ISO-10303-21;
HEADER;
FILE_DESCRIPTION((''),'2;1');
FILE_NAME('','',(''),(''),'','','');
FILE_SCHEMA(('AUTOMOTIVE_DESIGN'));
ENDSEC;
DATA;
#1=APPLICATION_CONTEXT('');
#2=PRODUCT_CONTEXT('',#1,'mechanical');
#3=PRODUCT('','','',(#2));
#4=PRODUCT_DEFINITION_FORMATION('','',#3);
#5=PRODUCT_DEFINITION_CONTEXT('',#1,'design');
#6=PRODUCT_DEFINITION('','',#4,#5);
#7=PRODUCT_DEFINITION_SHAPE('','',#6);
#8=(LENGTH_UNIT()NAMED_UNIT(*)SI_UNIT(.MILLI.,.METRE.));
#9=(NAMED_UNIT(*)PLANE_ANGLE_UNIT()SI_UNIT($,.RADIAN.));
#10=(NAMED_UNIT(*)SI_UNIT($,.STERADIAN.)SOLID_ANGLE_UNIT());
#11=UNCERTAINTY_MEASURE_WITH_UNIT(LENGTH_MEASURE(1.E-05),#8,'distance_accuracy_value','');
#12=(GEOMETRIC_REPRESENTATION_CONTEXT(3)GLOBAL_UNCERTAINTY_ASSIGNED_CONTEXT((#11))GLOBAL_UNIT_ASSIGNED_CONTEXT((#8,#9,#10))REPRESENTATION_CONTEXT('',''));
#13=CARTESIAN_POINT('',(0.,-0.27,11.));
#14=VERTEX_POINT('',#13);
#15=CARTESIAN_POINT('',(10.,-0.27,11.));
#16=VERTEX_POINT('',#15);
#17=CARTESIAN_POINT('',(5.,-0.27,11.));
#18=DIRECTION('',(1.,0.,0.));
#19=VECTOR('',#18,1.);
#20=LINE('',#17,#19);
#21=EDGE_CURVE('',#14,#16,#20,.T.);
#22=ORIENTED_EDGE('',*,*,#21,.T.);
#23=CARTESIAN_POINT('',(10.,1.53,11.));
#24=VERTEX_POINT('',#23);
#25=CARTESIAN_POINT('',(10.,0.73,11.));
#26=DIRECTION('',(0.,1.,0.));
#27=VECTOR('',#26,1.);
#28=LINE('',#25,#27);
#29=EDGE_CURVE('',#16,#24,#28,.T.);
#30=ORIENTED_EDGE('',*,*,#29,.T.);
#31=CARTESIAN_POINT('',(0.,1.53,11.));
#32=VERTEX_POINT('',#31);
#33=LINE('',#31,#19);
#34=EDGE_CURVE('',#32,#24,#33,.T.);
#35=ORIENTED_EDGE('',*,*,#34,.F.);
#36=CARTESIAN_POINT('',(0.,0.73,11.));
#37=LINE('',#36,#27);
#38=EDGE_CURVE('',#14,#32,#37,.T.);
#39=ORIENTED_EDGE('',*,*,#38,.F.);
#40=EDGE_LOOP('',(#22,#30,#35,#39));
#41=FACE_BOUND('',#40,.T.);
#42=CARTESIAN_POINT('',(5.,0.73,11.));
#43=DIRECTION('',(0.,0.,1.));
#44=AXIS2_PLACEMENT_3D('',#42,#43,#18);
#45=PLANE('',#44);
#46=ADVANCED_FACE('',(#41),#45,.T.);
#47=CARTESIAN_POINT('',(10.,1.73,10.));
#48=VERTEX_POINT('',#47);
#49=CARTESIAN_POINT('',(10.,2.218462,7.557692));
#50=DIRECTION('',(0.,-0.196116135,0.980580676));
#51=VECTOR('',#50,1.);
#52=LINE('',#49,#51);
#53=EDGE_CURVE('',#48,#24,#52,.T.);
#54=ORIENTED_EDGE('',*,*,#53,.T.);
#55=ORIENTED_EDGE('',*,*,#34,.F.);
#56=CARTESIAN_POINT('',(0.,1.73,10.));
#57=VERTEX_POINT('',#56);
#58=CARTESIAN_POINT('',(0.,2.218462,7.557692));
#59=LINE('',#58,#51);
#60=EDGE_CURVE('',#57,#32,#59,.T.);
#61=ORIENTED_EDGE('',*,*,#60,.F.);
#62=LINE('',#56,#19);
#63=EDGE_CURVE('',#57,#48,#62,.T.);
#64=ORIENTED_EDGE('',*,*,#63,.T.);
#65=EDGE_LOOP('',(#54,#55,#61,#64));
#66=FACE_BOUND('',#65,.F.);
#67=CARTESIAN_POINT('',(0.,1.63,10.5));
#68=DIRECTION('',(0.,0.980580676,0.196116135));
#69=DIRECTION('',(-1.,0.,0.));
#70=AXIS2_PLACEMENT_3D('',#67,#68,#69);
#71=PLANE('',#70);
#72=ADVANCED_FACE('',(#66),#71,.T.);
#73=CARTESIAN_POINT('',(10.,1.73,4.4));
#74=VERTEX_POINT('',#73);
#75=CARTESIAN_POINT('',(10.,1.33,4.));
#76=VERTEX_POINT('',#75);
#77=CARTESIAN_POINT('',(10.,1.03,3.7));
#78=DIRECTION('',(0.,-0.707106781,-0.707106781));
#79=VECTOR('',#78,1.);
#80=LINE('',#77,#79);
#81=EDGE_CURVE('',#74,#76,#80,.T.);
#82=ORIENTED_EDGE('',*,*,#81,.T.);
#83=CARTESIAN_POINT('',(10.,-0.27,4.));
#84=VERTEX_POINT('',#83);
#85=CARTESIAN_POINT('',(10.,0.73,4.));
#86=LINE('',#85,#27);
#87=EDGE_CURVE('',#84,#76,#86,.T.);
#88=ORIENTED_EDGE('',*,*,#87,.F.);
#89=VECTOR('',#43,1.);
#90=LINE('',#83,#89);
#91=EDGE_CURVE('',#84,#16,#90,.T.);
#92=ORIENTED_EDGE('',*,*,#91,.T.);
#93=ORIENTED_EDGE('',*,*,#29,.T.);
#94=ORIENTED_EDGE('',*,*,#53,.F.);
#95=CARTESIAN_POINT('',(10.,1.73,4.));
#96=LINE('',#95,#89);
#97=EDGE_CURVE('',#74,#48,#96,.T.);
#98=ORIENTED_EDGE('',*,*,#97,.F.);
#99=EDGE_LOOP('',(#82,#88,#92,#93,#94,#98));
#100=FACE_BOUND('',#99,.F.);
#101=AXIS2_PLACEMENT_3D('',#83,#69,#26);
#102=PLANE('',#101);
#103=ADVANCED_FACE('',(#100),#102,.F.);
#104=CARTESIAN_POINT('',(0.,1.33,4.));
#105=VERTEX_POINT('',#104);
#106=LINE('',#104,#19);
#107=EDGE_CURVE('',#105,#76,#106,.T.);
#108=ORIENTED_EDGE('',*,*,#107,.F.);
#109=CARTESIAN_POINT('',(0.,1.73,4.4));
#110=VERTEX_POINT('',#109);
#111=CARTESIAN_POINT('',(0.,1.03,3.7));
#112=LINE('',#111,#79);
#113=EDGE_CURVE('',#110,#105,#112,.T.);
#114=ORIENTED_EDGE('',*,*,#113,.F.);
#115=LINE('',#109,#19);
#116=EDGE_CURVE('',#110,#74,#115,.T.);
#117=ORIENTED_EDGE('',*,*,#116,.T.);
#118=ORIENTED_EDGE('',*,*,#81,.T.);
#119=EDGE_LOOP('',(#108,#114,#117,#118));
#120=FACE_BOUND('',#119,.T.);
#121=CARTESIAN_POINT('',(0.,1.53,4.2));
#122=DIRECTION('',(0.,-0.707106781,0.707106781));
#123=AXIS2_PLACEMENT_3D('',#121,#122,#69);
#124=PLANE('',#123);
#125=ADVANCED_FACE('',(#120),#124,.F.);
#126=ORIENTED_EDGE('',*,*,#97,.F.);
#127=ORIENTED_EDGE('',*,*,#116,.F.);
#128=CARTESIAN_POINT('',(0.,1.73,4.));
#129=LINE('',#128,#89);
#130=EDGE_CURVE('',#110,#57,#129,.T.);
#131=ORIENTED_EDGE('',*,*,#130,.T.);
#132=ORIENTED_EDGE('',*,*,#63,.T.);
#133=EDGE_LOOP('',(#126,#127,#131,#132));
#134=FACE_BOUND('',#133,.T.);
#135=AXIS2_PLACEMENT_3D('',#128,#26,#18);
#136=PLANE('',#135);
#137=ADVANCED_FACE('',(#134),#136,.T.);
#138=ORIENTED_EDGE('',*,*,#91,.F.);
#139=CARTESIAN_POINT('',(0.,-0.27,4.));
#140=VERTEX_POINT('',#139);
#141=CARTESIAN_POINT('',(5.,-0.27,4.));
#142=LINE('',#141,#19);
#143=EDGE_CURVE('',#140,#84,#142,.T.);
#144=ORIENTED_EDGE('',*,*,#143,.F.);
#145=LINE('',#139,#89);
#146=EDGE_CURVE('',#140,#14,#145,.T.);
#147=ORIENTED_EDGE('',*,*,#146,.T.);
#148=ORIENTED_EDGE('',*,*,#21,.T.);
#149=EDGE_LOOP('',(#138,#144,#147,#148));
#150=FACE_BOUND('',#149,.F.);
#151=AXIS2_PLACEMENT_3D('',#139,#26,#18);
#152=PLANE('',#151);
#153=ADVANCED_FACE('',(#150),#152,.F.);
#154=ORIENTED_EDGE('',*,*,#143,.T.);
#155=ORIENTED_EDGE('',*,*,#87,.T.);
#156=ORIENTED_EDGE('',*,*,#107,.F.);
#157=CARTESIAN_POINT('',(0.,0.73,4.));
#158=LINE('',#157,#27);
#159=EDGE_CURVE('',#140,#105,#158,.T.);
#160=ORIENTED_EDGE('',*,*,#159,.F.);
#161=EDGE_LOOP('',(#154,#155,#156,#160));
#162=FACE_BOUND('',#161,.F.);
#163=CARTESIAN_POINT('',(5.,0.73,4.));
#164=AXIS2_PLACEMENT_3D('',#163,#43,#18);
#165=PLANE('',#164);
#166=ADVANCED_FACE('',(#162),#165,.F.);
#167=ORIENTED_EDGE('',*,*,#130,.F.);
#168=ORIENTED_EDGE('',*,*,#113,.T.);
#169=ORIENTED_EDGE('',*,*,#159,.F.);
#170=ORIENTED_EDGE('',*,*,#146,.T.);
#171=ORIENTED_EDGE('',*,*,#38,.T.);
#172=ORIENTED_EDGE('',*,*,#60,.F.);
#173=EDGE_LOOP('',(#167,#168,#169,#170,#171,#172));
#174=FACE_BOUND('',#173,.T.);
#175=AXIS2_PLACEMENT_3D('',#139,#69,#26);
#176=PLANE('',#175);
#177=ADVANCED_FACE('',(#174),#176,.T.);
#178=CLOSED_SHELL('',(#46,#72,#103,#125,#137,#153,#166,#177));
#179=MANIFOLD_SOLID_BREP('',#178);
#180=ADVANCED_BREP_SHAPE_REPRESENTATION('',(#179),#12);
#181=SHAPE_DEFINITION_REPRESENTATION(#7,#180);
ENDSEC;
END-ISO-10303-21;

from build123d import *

# Parameters (mm, degrees)
BOX007_W         = 10
BOX007_H         = 2
BOX007_DEPTH     = 7
CHAMFER001_SIZE2 = 0.2
CHAMFER001_SIZE  = 1
CHAMFER003_SIZE  = 0.4


with BuildPart() as part:
    # Box007 → Box007 (new body)
    with BuildSketch(Plane(origin=(0, -0.27, 4), x_dir=(1, 0, 0), z_dir=(0, 0, 1))):
        with Locations((5, 1)):
            Rectangle(BOX007_W, BOX007_H)
    extrude(amount=BOX007_DEPTH)

    # Chamfer001
    chamfer001_edges = [part.edges().sort_by_distance(p)[0] for p in [
        (5, 1.73, 11),
    ]]
    chamfer001_side = part.faces().sort_by_distance((5, 1.73, 7.5))[0]
    chamfer(chamfer001_edges, length=CHAMFER001_SIZE, length2=CHAMFER001_SIZE2, reference=chamfer001_side)

    # Chamfer003
    chamfer003_edges = [part.edges().sort_by_distance(p)[0] for p in [
        (5, 1.73, 4),
    ]]
    chamfer(chamfer003_edges, length=CHAMFER003_SIZE)


solid = part.part
